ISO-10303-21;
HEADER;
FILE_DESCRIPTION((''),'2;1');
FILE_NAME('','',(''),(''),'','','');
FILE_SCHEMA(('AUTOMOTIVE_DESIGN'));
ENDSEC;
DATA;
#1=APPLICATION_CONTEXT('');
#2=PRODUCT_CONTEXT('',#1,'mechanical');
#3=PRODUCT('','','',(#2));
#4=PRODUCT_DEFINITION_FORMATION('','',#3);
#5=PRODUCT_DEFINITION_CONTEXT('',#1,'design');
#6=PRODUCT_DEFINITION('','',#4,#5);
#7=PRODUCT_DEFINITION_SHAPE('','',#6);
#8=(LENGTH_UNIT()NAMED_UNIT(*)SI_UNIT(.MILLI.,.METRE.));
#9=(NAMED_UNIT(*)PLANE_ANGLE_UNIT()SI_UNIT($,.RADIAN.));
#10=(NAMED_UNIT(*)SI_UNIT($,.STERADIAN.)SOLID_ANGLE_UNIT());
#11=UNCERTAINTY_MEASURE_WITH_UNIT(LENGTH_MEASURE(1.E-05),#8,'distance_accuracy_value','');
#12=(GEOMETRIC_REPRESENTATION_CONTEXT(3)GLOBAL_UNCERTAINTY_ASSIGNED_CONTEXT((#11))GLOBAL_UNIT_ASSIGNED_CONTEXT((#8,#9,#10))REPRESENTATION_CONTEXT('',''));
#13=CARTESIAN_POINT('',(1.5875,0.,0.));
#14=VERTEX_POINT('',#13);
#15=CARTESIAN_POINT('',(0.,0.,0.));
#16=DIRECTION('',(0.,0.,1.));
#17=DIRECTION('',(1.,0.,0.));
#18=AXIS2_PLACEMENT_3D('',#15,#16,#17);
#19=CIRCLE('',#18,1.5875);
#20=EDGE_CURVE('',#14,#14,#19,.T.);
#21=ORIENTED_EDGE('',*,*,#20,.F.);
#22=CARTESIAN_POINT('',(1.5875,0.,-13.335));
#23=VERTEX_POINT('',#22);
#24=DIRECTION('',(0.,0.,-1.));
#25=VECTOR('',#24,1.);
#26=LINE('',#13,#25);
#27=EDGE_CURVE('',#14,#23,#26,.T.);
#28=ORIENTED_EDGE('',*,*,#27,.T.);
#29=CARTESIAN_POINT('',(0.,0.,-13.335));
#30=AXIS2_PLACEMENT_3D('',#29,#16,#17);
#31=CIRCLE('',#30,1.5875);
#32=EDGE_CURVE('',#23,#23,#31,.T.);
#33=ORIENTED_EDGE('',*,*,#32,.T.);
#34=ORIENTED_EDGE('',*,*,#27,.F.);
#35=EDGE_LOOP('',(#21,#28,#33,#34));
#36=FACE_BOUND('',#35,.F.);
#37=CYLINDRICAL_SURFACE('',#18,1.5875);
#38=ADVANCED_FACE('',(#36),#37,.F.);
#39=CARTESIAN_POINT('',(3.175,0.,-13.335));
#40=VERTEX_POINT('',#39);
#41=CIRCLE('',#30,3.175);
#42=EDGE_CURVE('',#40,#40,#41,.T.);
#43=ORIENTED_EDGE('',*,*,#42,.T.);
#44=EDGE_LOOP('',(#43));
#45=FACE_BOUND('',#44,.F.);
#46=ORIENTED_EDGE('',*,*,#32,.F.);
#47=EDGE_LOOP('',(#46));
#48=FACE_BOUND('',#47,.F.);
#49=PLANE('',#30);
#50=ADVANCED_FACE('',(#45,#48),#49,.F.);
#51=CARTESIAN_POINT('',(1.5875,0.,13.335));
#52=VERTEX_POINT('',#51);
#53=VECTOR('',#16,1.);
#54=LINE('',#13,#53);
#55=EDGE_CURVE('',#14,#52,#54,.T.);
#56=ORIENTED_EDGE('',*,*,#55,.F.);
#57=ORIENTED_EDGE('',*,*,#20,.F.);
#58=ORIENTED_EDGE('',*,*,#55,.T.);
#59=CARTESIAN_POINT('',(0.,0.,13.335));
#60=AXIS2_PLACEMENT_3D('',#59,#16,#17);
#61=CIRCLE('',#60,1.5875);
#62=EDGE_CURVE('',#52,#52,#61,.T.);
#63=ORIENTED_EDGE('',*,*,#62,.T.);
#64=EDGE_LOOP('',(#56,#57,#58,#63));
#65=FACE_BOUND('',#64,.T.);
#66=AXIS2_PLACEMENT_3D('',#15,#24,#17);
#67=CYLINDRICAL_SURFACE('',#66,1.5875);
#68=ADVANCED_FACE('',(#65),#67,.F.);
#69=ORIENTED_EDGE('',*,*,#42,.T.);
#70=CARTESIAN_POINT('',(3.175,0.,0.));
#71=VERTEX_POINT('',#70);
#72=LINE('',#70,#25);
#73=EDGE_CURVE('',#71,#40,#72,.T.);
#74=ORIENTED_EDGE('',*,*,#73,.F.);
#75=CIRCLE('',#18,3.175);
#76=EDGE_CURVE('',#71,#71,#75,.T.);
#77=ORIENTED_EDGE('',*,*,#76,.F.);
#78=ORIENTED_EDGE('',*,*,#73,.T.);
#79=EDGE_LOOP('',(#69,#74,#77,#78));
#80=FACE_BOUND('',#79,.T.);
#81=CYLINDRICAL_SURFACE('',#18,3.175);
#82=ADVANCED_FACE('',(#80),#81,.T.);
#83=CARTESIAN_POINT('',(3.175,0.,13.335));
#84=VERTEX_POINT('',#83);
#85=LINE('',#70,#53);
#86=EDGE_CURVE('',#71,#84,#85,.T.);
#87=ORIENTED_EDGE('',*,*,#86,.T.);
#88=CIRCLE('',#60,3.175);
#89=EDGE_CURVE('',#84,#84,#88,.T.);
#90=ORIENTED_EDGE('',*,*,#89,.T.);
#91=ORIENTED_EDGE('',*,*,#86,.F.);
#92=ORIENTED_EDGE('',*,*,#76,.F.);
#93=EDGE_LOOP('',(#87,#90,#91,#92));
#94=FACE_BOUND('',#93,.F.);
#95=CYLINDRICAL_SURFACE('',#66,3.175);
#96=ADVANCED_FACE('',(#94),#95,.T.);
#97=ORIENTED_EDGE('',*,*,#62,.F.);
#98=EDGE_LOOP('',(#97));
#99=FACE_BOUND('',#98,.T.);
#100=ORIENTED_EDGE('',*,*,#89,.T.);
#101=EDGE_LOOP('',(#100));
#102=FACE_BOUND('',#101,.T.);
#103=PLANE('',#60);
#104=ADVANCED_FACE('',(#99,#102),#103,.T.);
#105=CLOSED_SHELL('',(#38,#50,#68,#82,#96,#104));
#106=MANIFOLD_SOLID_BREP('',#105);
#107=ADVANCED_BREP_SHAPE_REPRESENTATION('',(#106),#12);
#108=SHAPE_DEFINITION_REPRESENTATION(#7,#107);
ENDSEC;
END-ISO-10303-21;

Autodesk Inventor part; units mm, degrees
ref_plane "YZ Plane" through (0, 0, 0) normal (1, 0, 0) x (0, 1, 0)
ref_plane "XZ Plane" through (0, 0, 0) normal (0, 1, 0) x (-1, 0, 0)
ref_plane "XY Plane" through (0, 0, 0) normal (0, 0, 1) x (1, 0, 0)
sketch "Sketch1" plane through (0, 0, 0) normal (0, 0, 1) x (1, 0, 0)
  circle A0 centre (0, 0) radius 3.175
  circle A1 centre (0, 0) radius 1.5875
  dimension "d0" = 6.35
  dimension "d1" = 3.175
extrude "Extrusion1" add sketch "Sketch1" along normal mid plane 26.67
